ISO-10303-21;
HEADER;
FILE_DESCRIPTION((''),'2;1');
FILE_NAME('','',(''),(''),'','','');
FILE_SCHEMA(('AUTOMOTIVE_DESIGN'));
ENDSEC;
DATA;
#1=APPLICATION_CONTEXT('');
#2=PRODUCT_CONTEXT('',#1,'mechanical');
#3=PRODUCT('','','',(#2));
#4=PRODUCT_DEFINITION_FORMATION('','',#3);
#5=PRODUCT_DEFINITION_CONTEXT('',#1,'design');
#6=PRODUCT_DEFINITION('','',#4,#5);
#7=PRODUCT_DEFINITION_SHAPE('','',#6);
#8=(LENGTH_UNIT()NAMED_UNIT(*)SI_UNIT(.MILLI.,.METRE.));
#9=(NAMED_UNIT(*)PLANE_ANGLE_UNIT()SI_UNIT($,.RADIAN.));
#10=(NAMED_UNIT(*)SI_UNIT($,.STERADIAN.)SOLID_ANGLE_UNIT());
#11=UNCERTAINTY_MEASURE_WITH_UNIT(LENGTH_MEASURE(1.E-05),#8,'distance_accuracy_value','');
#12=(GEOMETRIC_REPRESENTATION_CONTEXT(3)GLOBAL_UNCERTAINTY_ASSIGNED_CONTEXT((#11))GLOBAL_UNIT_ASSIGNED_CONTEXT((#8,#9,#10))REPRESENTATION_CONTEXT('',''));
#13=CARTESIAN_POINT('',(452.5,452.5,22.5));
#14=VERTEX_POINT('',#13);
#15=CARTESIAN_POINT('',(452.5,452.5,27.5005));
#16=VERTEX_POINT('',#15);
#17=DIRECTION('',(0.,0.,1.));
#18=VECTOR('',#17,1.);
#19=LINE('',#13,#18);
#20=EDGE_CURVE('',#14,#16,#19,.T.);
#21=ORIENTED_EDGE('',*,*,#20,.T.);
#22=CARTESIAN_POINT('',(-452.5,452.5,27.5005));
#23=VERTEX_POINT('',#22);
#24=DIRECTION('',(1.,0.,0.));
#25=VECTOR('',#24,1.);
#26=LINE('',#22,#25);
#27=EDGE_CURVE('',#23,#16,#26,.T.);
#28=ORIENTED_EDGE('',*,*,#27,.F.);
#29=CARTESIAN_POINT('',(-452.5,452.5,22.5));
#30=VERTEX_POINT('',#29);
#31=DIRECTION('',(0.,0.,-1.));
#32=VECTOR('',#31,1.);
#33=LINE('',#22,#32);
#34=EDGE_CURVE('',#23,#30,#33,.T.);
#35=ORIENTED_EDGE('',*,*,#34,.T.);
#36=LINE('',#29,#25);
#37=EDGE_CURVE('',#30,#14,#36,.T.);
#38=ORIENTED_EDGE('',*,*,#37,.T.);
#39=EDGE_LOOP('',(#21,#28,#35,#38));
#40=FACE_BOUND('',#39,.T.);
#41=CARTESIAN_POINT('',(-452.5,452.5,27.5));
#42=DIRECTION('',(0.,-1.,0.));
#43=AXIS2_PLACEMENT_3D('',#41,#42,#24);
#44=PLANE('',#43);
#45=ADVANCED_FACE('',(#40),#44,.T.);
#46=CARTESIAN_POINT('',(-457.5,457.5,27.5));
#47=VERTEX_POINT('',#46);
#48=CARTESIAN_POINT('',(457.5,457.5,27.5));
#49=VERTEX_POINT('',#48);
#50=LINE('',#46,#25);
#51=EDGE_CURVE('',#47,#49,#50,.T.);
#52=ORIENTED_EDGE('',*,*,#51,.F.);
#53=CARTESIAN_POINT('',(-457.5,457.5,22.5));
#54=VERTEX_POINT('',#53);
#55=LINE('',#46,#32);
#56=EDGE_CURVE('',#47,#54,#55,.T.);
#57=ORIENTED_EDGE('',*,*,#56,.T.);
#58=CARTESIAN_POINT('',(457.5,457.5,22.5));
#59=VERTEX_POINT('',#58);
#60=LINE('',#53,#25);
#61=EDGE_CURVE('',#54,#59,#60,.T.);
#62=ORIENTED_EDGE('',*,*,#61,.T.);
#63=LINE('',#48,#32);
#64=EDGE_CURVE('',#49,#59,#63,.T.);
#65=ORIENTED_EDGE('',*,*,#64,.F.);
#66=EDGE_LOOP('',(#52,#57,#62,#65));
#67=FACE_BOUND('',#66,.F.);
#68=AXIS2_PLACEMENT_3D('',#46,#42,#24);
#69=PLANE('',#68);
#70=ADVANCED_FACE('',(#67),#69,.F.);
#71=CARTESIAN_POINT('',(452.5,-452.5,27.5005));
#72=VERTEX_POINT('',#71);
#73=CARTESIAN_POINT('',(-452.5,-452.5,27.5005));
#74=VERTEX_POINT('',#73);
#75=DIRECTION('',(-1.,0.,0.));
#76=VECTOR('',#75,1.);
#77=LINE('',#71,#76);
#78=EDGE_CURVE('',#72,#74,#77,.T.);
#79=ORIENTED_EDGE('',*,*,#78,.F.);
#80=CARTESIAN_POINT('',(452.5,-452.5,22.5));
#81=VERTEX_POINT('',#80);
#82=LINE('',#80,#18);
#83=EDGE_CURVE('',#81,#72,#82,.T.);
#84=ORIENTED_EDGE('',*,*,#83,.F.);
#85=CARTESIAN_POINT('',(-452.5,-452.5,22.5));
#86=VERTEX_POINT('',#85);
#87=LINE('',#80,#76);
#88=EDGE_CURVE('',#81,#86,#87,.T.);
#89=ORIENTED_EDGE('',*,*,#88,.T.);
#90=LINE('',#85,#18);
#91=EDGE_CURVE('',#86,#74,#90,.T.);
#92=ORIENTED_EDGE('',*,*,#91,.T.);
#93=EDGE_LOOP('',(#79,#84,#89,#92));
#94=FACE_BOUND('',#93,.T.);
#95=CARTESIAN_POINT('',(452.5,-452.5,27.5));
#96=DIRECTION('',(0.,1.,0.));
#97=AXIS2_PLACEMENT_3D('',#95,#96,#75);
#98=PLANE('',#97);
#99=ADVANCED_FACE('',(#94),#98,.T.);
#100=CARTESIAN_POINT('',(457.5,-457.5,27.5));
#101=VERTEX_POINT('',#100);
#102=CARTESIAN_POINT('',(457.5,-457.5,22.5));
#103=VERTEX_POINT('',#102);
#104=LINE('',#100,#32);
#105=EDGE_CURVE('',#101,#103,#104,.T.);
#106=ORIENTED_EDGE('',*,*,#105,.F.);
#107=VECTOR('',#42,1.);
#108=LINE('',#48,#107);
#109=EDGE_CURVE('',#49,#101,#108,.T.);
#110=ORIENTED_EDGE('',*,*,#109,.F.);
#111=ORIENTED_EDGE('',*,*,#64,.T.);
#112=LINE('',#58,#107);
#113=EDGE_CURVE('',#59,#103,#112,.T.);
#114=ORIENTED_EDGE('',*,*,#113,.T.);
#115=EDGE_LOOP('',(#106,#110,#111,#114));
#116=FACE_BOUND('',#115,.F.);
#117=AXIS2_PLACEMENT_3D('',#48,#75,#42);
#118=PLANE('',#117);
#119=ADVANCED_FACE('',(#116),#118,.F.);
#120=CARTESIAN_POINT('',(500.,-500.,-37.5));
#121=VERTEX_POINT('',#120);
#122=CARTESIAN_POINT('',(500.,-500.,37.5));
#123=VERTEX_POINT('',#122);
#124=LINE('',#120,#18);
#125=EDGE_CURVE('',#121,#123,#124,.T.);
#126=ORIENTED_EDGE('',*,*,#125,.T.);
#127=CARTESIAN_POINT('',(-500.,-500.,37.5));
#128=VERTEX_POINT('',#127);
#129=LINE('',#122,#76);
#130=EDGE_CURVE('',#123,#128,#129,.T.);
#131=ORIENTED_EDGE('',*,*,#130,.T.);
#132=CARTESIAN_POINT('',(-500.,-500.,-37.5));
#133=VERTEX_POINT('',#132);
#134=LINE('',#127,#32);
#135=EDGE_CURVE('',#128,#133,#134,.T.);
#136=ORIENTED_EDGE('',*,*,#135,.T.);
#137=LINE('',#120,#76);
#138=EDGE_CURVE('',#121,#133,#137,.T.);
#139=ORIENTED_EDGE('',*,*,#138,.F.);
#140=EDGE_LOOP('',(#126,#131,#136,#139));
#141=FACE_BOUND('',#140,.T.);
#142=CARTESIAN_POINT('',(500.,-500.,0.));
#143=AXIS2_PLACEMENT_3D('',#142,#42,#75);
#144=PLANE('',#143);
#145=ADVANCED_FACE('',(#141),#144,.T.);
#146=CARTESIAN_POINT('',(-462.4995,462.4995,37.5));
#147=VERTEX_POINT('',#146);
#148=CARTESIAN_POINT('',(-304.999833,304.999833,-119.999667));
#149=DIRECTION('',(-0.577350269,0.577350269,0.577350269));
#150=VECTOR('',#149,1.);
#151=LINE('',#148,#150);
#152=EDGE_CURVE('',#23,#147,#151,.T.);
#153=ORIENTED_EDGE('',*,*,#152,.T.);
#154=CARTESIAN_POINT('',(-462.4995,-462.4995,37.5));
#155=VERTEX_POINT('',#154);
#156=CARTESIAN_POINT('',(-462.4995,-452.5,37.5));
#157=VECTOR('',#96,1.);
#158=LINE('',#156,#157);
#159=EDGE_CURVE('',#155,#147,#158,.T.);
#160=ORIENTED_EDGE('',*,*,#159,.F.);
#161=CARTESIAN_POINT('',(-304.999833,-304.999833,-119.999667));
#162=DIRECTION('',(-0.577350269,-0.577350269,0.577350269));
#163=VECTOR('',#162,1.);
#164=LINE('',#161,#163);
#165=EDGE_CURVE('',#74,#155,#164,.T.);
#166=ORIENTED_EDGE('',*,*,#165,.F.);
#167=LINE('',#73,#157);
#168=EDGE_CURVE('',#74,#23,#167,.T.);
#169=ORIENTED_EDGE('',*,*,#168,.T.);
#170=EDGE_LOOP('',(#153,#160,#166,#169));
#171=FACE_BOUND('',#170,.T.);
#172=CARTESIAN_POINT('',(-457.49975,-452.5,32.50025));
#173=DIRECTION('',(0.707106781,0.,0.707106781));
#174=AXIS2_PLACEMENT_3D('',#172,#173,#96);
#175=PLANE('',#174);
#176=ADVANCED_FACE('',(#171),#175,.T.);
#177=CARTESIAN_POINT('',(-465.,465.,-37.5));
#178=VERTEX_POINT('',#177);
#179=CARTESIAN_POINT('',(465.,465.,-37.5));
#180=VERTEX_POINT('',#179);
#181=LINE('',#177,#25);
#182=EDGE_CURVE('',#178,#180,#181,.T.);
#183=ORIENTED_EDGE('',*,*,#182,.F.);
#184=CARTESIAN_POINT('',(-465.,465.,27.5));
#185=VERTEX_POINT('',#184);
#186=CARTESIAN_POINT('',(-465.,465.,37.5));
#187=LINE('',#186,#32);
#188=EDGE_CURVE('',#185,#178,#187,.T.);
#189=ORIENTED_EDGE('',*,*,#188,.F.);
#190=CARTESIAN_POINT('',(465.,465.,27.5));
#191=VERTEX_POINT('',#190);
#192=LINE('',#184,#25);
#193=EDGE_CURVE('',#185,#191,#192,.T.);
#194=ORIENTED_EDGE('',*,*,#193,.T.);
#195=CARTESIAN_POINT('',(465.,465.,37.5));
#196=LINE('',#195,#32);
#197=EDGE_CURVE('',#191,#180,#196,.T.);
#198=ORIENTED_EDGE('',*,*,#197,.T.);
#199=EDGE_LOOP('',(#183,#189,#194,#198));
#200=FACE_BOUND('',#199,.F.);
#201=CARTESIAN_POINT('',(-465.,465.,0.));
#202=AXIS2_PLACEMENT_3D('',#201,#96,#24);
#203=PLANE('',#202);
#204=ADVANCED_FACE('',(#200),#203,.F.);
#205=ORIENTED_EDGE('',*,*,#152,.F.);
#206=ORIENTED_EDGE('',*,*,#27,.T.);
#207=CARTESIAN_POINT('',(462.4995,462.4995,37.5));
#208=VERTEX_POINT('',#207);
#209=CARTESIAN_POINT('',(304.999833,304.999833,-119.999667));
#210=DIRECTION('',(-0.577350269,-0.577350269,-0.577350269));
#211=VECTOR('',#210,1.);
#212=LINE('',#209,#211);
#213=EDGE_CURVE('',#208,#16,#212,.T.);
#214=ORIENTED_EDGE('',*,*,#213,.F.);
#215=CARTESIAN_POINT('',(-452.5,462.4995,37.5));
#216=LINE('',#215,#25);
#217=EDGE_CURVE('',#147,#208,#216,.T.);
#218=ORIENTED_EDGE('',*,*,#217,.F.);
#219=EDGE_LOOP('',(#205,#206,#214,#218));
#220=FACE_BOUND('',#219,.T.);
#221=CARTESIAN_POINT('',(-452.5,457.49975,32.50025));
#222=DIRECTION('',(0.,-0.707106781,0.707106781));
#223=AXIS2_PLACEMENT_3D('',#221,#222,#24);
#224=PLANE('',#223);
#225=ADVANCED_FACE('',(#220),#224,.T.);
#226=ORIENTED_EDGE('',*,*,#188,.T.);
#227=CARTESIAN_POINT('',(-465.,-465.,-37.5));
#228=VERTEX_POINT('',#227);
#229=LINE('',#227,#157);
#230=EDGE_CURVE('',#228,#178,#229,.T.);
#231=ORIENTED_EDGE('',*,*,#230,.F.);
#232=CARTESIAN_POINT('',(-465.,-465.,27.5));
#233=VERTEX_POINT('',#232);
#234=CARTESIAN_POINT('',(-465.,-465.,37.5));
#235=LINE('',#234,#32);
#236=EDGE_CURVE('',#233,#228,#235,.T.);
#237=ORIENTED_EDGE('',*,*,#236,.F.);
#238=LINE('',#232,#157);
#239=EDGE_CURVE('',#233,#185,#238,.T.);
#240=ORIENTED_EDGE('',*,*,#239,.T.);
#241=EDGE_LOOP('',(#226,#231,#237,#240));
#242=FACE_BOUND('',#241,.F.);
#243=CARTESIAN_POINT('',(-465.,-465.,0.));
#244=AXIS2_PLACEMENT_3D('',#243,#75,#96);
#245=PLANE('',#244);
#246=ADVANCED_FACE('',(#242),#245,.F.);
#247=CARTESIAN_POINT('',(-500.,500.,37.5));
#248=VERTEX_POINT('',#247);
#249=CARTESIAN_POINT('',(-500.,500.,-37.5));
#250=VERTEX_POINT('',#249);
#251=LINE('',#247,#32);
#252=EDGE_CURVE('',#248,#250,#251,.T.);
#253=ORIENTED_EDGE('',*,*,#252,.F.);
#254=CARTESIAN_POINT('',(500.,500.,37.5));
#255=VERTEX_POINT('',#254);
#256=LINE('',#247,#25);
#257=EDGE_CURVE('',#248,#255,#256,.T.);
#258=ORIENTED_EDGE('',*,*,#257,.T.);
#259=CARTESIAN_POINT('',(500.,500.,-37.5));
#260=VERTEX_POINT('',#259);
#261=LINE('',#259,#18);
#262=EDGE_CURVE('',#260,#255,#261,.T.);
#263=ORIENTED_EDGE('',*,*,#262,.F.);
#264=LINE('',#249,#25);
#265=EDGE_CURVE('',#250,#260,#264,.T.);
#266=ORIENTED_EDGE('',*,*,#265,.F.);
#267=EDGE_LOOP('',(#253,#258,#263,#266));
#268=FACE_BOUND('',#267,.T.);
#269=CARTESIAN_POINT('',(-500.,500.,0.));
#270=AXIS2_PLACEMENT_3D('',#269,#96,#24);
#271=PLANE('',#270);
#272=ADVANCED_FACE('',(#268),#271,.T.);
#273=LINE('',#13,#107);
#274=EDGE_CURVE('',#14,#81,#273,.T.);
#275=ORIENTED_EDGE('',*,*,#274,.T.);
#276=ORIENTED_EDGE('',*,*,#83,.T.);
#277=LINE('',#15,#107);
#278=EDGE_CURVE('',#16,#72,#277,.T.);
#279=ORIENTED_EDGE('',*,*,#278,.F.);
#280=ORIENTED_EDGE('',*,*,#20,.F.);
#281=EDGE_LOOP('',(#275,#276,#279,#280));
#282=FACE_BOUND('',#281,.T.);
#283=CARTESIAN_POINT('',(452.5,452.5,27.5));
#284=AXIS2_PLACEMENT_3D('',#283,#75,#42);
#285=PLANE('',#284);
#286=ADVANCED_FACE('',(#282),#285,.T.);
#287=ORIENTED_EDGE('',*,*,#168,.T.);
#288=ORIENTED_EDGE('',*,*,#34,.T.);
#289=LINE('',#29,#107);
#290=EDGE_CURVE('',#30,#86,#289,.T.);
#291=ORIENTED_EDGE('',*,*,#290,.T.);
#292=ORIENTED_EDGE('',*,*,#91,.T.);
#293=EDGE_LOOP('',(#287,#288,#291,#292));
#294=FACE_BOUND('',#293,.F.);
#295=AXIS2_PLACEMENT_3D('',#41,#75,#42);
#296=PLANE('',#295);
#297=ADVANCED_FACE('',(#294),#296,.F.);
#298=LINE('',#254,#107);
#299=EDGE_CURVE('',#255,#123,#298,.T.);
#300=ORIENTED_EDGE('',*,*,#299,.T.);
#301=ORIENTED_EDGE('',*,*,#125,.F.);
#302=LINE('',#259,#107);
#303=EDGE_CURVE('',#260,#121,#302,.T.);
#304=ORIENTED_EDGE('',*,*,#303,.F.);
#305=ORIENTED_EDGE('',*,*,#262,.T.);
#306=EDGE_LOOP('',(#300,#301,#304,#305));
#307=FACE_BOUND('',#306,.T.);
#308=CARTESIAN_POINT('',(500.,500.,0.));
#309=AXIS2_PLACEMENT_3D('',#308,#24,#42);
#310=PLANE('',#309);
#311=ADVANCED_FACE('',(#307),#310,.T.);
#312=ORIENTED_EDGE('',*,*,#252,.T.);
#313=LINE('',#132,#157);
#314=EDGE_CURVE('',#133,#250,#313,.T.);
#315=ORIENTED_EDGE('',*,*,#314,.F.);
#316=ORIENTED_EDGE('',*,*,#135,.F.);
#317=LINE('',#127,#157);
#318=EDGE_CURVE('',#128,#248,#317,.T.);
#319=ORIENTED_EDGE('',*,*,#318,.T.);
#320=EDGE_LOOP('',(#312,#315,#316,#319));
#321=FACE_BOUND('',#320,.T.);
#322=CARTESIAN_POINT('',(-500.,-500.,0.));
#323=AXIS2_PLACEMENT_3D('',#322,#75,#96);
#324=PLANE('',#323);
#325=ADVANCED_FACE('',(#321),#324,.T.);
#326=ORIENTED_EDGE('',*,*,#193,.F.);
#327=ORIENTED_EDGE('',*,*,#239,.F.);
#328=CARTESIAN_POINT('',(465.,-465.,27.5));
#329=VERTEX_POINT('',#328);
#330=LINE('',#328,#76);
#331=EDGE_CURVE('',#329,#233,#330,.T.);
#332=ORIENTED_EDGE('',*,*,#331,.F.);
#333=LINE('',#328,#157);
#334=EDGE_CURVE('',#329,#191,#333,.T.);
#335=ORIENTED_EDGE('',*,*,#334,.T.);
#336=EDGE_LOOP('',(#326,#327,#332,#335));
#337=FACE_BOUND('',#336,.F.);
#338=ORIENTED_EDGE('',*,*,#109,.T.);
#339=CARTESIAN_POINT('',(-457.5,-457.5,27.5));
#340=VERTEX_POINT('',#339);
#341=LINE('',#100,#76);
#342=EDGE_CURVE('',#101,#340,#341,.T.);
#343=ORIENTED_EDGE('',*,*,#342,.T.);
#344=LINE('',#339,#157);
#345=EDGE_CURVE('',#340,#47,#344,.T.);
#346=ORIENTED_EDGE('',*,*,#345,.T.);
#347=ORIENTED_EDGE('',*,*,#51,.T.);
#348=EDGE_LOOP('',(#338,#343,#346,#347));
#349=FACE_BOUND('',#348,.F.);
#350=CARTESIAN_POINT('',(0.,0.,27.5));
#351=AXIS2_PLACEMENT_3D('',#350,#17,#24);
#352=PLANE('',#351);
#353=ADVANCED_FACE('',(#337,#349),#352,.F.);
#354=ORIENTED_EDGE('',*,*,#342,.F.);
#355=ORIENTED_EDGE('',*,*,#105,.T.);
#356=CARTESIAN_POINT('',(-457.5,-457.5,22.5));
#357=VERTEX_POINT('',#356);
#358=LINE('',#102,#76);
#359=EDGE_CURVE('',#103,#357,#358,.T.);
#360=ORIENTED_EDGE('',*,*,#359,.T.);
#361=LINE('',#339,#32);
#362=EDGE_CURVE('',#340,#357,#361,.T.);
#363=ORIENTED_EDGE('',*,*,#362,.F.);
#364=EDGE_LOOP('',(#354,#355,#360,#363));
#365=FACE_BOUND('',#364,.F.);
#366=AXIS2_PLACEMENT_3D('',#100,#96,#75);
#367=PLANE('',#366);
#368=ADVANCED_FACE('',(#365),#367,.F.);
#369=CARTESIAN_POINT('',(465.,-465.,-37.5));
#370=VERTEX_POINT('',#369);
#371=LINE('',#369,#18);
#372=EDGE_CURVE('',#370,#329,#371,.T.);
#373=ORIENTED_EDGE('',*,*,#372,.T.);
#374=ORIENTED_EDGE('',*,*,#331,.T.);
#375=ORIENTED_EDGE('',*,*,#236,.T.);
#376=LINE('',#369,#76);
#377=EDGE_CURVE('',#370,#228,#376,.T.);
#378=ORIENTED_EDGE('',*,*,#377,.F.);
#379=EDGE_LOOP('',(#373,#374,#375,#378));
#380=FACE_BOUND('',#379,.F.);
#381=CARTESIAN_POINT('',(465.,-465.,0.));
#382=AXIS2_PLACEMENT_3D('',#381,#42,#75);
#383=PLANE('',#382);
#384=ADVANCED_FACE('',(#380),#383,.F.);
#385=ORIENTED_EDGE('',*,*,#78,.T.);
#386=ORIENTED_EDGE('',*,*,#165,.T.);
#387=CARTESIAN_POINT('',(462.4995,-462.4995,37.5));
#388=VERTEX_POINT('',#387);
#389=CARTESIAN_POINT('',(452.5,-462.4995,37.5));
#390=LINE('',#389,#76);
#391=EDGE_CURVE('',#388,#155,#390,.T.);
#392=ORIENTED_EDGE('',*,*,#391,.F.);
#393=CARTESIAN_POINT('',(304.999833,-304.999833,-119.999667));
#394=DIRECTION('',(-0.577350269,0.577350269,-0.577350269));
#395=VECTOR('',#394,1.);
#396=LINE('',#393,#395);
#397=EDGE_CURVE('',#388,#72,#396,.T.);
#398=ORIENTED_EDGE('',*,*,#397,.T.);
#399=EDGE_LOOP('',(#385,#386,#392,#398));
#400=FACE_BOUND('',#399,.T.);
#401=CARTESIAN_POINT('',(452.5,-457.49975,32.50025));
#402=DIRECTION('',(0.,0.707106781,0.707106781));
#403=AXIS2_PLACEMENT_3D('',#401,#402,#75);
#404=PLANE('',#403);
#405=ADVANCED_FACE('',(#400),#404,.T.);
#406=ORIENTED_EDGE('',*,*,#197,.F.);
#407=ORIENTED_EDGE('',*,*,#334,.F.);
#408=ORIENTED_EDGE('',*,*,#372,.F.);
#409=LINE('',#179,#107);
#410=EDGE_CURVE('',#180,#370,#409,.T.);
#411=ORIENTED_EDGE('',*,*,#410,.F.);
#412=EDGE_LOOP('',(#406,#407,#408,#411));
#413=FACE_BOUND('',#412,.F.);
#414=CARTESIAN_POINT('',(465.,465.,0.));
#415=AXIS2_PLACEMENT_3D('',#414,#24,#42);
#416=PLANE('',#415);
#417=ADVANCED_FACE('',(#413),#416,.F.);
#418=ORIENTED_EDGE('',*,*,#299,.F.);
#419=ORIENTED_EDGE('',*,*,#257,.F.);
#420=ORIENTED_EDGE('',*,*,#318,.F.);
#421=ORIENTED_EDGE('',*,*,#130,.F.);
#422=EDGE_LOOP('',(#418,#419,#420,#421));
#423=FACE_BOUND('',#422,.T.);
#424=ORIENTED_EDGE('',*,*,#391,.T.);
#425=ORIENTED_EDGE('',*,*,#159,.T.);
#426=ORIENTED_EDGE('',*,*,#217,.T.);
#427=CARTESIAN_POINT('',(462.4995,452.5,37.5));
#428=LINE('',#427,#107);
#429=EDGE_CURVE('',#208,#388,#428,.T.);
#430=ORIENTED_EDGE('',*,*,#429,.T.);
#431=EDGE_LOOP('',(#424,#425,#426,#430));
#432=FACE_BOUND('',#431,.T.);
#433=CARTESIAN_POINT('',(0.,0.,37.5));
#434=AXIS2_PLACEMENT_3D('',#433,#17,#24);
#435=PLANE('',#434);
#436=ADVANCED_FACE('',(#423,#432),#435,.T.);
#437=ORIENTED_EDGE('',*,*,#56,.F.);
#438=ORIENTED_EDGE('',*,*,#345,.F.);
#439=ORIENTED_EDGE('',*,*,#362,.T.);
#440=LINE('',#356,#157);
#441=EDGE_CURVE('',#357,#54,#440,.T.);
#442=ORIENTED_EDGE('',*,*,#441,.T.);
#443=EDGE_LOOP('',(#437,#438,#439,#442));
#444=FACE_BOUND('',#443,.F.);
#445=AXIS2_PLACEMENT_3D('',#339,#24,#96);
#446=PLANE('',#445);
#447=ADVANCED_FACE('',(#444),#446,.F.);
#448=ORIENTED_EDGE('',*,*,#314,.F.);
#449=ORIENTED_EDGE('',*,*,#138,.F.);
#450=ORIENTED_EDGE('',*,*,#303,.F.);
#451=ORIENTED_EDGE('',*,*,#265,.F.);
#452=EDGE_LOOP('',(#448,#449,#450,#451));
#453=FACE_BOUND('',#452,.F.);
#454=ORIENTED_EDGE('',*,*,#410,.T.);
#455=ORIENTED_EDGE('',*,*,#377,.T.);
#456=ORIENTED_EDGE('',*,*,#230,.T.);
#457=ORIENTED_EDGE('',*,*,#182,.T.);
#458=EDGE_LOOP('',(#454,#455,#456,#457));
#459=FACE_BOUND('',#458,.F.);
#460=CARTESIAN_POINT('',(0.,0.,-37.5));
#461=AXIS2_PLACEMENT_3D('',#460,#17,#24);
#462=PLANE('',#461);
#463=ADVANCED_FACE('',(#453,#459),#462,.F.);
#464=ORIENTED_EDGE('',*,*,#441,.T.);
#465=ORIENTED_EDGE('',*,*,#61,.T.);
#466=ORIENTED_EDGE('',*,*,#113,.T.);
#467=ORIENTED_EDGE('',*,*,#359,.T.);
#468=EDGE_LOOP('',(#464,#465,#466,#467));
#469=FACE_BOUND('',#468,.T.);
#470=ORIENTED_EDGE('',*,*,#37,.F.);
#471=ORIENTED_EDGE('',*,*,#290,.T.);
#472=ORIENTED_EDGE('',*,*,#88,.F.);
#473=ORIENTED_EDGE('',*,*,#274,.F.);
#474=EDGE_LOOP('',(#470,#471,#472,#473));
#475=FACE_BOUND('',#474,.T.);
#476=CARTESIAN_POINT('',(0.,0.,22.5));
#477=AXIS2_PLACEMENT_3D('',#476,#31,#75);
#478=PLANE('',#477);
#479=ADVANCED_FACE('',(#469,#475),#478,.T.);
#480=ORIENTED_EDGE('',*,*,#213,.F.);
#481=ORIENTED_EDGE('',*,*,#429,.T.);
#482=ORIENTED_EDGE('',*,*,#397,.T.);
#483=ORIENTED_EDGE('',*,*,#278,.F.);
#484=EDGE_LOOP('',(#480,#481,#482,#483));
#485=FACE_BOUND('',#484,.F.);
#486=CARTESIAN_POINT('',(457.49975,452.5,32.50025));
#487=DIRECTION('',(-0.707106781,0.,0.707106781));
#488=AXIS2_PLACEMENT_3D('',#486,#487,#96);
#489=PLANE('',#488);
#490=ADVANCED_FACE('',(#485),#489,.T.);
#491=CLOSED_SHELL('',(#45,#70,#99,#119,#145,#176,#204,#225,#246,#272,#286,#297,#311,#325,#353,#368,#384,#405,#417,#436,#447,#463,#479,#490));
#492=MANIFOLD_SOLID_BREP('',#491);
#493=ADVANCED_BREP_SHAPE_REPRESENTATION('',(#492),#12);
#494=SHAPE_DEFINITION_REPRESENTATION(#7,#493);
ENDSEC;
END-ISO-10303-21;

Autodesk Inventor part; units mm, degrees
ref_plane "YZ Plane" through (0, 0, 0) normal (1, 0, 0) x (0, 1, 0)
ref_plane "XZ Plane" through (0, 0, 0) normal (0, 1, 0) x (-1, 0, 0)
ref_plane "XY Plane" through (0, 0, 0) normal (0, 0, 1) x (1, 0, 0)
sketch "Szkic1" plane through (0, 0, 0) normal (0, 0, 1) x (1, 0, 0)
  line L0 (500, -500) -> (-500, -500)
  line L1 (-500, -500) -> (-500, 500)
  line L2 (-500, 500) -> (500, 500)
  line L3 (500, 500) -> (500, -500)
  line L4 (500, -500) -> (-500, 500) construction
  line L5 (-500, -500) -> (500, 500) construction
  line L6 (465, -465) -> (-465, -465)
  line L7 (-465, -465) -> (-465, 465)
  line L8 (-465, 465) -> (465, 465)
  line L9 (465, 465) -> (465, -465)
  line L10 (465, -465) -> (-465, 465) construction
  line L11 (-465, -465) -> (465, 465) construction
  point P0 (0, 0)
  dimension "d0" = 1000
  dimension "d1" = 1000
  dimension "d2" = 930
  dimension "d3" = 930
extrude "Wyciągnięcie proste1" add sketch "Szkic1" along normal mid plane 75
sketch "Szkic2" plane through (0, 0, 37.5) normal (0, 0, 1) x (1, 0, 0)
  line L0 (465, -465) -> (465, 465) projected
  line L1 (-465, 465) -> (465, 465)
  line L2 (465, 465) -> (465, -465)
  line L3 (465, -465) -> (-465, -465)
  line L4 (-465, -465) -> (-465, 465)
  line L5 (-465, 465) -> (465, -465) construction
  line L6 (465, 465) -> (-465, -465) construction
  line L7 (-452.5, 452.5) -> (452.5, 452.5)
  line L8 (452.5, 452.5) -> (452.5, -452.5)
  line L9 (452.5, -452.5) -> (-452.5, -452.5)
  line L10 (-452.5, -452.5) -> (-452.5, 452.5)
  line L11 (-452.5, 452.5) -> (452.5, -452.5) construction
  line L12 (452.5, 452.5) -> (-452.5, -452.5) construction
  point P0 (0, 0)
  dimension "d6" = 905
  dimension "d7" = 905
extrude "Wyciągnięcie proste2" add sketch "Szkic2" against normal blind 10
chamfer "Faza1" distance 10 angle 45 4 edges at (452.5, 0, 37.5) (0, 452.5, 37.5) (-452.5, 0, 37.5) (0, -452.5, 37.5)
ref_plane "Płaszczyzna konstrukcyjna1" through (-452.5, 452.5, 27.5) normal (0, 0, 1) x (0, -1, 0)
sketch "Szkic3" plane through (0, 0, 27.5) normal (0, 0, -1) x (-1, 0, 0)
  line L0 (452.5, 452.5) -> (452.5, -452.5) projected
  line L1 (-452.5, -452.5) -> (452.5, -452.5)
  line L2 (452.5, -452.5) -> (452.5, 452.5)
  line L3 (452.5, 452.5) -> (-452.5, 452.5)
  line L4 (-452.5, 452.5) -> (-452.5, -452.5)
  line L5 (-452.5, -452.5) -> (452.5, 452.5) construction
  line L6 (452.5, -452.5) -> (-452.5, 452.5) construction
  line L7 (-457.5, -457.5) -> (457.5, -457.5)
  line L8 (457.5, -457.5) -> (457.5, 457.5)
  line L9 (457.5, 457.5) -> (-457.5, 457.5)
  line L10 (-457.5, 457.5) -> (-457.5, -457.5)
  line L11 (-457.5, -457.5) -> (457.5, 457.5) construction
  line L12 (457.5, -457.5) -> (-457.5, 457.5) construction
  point P0 (0, 0)
  dimension "d13" = 915
extrude "Wyciągnięcie proste3" add sketch "Szkic3" along normal blind 5
properties part number "rama" material "Tworzywo sztuczne PC/ABS"
